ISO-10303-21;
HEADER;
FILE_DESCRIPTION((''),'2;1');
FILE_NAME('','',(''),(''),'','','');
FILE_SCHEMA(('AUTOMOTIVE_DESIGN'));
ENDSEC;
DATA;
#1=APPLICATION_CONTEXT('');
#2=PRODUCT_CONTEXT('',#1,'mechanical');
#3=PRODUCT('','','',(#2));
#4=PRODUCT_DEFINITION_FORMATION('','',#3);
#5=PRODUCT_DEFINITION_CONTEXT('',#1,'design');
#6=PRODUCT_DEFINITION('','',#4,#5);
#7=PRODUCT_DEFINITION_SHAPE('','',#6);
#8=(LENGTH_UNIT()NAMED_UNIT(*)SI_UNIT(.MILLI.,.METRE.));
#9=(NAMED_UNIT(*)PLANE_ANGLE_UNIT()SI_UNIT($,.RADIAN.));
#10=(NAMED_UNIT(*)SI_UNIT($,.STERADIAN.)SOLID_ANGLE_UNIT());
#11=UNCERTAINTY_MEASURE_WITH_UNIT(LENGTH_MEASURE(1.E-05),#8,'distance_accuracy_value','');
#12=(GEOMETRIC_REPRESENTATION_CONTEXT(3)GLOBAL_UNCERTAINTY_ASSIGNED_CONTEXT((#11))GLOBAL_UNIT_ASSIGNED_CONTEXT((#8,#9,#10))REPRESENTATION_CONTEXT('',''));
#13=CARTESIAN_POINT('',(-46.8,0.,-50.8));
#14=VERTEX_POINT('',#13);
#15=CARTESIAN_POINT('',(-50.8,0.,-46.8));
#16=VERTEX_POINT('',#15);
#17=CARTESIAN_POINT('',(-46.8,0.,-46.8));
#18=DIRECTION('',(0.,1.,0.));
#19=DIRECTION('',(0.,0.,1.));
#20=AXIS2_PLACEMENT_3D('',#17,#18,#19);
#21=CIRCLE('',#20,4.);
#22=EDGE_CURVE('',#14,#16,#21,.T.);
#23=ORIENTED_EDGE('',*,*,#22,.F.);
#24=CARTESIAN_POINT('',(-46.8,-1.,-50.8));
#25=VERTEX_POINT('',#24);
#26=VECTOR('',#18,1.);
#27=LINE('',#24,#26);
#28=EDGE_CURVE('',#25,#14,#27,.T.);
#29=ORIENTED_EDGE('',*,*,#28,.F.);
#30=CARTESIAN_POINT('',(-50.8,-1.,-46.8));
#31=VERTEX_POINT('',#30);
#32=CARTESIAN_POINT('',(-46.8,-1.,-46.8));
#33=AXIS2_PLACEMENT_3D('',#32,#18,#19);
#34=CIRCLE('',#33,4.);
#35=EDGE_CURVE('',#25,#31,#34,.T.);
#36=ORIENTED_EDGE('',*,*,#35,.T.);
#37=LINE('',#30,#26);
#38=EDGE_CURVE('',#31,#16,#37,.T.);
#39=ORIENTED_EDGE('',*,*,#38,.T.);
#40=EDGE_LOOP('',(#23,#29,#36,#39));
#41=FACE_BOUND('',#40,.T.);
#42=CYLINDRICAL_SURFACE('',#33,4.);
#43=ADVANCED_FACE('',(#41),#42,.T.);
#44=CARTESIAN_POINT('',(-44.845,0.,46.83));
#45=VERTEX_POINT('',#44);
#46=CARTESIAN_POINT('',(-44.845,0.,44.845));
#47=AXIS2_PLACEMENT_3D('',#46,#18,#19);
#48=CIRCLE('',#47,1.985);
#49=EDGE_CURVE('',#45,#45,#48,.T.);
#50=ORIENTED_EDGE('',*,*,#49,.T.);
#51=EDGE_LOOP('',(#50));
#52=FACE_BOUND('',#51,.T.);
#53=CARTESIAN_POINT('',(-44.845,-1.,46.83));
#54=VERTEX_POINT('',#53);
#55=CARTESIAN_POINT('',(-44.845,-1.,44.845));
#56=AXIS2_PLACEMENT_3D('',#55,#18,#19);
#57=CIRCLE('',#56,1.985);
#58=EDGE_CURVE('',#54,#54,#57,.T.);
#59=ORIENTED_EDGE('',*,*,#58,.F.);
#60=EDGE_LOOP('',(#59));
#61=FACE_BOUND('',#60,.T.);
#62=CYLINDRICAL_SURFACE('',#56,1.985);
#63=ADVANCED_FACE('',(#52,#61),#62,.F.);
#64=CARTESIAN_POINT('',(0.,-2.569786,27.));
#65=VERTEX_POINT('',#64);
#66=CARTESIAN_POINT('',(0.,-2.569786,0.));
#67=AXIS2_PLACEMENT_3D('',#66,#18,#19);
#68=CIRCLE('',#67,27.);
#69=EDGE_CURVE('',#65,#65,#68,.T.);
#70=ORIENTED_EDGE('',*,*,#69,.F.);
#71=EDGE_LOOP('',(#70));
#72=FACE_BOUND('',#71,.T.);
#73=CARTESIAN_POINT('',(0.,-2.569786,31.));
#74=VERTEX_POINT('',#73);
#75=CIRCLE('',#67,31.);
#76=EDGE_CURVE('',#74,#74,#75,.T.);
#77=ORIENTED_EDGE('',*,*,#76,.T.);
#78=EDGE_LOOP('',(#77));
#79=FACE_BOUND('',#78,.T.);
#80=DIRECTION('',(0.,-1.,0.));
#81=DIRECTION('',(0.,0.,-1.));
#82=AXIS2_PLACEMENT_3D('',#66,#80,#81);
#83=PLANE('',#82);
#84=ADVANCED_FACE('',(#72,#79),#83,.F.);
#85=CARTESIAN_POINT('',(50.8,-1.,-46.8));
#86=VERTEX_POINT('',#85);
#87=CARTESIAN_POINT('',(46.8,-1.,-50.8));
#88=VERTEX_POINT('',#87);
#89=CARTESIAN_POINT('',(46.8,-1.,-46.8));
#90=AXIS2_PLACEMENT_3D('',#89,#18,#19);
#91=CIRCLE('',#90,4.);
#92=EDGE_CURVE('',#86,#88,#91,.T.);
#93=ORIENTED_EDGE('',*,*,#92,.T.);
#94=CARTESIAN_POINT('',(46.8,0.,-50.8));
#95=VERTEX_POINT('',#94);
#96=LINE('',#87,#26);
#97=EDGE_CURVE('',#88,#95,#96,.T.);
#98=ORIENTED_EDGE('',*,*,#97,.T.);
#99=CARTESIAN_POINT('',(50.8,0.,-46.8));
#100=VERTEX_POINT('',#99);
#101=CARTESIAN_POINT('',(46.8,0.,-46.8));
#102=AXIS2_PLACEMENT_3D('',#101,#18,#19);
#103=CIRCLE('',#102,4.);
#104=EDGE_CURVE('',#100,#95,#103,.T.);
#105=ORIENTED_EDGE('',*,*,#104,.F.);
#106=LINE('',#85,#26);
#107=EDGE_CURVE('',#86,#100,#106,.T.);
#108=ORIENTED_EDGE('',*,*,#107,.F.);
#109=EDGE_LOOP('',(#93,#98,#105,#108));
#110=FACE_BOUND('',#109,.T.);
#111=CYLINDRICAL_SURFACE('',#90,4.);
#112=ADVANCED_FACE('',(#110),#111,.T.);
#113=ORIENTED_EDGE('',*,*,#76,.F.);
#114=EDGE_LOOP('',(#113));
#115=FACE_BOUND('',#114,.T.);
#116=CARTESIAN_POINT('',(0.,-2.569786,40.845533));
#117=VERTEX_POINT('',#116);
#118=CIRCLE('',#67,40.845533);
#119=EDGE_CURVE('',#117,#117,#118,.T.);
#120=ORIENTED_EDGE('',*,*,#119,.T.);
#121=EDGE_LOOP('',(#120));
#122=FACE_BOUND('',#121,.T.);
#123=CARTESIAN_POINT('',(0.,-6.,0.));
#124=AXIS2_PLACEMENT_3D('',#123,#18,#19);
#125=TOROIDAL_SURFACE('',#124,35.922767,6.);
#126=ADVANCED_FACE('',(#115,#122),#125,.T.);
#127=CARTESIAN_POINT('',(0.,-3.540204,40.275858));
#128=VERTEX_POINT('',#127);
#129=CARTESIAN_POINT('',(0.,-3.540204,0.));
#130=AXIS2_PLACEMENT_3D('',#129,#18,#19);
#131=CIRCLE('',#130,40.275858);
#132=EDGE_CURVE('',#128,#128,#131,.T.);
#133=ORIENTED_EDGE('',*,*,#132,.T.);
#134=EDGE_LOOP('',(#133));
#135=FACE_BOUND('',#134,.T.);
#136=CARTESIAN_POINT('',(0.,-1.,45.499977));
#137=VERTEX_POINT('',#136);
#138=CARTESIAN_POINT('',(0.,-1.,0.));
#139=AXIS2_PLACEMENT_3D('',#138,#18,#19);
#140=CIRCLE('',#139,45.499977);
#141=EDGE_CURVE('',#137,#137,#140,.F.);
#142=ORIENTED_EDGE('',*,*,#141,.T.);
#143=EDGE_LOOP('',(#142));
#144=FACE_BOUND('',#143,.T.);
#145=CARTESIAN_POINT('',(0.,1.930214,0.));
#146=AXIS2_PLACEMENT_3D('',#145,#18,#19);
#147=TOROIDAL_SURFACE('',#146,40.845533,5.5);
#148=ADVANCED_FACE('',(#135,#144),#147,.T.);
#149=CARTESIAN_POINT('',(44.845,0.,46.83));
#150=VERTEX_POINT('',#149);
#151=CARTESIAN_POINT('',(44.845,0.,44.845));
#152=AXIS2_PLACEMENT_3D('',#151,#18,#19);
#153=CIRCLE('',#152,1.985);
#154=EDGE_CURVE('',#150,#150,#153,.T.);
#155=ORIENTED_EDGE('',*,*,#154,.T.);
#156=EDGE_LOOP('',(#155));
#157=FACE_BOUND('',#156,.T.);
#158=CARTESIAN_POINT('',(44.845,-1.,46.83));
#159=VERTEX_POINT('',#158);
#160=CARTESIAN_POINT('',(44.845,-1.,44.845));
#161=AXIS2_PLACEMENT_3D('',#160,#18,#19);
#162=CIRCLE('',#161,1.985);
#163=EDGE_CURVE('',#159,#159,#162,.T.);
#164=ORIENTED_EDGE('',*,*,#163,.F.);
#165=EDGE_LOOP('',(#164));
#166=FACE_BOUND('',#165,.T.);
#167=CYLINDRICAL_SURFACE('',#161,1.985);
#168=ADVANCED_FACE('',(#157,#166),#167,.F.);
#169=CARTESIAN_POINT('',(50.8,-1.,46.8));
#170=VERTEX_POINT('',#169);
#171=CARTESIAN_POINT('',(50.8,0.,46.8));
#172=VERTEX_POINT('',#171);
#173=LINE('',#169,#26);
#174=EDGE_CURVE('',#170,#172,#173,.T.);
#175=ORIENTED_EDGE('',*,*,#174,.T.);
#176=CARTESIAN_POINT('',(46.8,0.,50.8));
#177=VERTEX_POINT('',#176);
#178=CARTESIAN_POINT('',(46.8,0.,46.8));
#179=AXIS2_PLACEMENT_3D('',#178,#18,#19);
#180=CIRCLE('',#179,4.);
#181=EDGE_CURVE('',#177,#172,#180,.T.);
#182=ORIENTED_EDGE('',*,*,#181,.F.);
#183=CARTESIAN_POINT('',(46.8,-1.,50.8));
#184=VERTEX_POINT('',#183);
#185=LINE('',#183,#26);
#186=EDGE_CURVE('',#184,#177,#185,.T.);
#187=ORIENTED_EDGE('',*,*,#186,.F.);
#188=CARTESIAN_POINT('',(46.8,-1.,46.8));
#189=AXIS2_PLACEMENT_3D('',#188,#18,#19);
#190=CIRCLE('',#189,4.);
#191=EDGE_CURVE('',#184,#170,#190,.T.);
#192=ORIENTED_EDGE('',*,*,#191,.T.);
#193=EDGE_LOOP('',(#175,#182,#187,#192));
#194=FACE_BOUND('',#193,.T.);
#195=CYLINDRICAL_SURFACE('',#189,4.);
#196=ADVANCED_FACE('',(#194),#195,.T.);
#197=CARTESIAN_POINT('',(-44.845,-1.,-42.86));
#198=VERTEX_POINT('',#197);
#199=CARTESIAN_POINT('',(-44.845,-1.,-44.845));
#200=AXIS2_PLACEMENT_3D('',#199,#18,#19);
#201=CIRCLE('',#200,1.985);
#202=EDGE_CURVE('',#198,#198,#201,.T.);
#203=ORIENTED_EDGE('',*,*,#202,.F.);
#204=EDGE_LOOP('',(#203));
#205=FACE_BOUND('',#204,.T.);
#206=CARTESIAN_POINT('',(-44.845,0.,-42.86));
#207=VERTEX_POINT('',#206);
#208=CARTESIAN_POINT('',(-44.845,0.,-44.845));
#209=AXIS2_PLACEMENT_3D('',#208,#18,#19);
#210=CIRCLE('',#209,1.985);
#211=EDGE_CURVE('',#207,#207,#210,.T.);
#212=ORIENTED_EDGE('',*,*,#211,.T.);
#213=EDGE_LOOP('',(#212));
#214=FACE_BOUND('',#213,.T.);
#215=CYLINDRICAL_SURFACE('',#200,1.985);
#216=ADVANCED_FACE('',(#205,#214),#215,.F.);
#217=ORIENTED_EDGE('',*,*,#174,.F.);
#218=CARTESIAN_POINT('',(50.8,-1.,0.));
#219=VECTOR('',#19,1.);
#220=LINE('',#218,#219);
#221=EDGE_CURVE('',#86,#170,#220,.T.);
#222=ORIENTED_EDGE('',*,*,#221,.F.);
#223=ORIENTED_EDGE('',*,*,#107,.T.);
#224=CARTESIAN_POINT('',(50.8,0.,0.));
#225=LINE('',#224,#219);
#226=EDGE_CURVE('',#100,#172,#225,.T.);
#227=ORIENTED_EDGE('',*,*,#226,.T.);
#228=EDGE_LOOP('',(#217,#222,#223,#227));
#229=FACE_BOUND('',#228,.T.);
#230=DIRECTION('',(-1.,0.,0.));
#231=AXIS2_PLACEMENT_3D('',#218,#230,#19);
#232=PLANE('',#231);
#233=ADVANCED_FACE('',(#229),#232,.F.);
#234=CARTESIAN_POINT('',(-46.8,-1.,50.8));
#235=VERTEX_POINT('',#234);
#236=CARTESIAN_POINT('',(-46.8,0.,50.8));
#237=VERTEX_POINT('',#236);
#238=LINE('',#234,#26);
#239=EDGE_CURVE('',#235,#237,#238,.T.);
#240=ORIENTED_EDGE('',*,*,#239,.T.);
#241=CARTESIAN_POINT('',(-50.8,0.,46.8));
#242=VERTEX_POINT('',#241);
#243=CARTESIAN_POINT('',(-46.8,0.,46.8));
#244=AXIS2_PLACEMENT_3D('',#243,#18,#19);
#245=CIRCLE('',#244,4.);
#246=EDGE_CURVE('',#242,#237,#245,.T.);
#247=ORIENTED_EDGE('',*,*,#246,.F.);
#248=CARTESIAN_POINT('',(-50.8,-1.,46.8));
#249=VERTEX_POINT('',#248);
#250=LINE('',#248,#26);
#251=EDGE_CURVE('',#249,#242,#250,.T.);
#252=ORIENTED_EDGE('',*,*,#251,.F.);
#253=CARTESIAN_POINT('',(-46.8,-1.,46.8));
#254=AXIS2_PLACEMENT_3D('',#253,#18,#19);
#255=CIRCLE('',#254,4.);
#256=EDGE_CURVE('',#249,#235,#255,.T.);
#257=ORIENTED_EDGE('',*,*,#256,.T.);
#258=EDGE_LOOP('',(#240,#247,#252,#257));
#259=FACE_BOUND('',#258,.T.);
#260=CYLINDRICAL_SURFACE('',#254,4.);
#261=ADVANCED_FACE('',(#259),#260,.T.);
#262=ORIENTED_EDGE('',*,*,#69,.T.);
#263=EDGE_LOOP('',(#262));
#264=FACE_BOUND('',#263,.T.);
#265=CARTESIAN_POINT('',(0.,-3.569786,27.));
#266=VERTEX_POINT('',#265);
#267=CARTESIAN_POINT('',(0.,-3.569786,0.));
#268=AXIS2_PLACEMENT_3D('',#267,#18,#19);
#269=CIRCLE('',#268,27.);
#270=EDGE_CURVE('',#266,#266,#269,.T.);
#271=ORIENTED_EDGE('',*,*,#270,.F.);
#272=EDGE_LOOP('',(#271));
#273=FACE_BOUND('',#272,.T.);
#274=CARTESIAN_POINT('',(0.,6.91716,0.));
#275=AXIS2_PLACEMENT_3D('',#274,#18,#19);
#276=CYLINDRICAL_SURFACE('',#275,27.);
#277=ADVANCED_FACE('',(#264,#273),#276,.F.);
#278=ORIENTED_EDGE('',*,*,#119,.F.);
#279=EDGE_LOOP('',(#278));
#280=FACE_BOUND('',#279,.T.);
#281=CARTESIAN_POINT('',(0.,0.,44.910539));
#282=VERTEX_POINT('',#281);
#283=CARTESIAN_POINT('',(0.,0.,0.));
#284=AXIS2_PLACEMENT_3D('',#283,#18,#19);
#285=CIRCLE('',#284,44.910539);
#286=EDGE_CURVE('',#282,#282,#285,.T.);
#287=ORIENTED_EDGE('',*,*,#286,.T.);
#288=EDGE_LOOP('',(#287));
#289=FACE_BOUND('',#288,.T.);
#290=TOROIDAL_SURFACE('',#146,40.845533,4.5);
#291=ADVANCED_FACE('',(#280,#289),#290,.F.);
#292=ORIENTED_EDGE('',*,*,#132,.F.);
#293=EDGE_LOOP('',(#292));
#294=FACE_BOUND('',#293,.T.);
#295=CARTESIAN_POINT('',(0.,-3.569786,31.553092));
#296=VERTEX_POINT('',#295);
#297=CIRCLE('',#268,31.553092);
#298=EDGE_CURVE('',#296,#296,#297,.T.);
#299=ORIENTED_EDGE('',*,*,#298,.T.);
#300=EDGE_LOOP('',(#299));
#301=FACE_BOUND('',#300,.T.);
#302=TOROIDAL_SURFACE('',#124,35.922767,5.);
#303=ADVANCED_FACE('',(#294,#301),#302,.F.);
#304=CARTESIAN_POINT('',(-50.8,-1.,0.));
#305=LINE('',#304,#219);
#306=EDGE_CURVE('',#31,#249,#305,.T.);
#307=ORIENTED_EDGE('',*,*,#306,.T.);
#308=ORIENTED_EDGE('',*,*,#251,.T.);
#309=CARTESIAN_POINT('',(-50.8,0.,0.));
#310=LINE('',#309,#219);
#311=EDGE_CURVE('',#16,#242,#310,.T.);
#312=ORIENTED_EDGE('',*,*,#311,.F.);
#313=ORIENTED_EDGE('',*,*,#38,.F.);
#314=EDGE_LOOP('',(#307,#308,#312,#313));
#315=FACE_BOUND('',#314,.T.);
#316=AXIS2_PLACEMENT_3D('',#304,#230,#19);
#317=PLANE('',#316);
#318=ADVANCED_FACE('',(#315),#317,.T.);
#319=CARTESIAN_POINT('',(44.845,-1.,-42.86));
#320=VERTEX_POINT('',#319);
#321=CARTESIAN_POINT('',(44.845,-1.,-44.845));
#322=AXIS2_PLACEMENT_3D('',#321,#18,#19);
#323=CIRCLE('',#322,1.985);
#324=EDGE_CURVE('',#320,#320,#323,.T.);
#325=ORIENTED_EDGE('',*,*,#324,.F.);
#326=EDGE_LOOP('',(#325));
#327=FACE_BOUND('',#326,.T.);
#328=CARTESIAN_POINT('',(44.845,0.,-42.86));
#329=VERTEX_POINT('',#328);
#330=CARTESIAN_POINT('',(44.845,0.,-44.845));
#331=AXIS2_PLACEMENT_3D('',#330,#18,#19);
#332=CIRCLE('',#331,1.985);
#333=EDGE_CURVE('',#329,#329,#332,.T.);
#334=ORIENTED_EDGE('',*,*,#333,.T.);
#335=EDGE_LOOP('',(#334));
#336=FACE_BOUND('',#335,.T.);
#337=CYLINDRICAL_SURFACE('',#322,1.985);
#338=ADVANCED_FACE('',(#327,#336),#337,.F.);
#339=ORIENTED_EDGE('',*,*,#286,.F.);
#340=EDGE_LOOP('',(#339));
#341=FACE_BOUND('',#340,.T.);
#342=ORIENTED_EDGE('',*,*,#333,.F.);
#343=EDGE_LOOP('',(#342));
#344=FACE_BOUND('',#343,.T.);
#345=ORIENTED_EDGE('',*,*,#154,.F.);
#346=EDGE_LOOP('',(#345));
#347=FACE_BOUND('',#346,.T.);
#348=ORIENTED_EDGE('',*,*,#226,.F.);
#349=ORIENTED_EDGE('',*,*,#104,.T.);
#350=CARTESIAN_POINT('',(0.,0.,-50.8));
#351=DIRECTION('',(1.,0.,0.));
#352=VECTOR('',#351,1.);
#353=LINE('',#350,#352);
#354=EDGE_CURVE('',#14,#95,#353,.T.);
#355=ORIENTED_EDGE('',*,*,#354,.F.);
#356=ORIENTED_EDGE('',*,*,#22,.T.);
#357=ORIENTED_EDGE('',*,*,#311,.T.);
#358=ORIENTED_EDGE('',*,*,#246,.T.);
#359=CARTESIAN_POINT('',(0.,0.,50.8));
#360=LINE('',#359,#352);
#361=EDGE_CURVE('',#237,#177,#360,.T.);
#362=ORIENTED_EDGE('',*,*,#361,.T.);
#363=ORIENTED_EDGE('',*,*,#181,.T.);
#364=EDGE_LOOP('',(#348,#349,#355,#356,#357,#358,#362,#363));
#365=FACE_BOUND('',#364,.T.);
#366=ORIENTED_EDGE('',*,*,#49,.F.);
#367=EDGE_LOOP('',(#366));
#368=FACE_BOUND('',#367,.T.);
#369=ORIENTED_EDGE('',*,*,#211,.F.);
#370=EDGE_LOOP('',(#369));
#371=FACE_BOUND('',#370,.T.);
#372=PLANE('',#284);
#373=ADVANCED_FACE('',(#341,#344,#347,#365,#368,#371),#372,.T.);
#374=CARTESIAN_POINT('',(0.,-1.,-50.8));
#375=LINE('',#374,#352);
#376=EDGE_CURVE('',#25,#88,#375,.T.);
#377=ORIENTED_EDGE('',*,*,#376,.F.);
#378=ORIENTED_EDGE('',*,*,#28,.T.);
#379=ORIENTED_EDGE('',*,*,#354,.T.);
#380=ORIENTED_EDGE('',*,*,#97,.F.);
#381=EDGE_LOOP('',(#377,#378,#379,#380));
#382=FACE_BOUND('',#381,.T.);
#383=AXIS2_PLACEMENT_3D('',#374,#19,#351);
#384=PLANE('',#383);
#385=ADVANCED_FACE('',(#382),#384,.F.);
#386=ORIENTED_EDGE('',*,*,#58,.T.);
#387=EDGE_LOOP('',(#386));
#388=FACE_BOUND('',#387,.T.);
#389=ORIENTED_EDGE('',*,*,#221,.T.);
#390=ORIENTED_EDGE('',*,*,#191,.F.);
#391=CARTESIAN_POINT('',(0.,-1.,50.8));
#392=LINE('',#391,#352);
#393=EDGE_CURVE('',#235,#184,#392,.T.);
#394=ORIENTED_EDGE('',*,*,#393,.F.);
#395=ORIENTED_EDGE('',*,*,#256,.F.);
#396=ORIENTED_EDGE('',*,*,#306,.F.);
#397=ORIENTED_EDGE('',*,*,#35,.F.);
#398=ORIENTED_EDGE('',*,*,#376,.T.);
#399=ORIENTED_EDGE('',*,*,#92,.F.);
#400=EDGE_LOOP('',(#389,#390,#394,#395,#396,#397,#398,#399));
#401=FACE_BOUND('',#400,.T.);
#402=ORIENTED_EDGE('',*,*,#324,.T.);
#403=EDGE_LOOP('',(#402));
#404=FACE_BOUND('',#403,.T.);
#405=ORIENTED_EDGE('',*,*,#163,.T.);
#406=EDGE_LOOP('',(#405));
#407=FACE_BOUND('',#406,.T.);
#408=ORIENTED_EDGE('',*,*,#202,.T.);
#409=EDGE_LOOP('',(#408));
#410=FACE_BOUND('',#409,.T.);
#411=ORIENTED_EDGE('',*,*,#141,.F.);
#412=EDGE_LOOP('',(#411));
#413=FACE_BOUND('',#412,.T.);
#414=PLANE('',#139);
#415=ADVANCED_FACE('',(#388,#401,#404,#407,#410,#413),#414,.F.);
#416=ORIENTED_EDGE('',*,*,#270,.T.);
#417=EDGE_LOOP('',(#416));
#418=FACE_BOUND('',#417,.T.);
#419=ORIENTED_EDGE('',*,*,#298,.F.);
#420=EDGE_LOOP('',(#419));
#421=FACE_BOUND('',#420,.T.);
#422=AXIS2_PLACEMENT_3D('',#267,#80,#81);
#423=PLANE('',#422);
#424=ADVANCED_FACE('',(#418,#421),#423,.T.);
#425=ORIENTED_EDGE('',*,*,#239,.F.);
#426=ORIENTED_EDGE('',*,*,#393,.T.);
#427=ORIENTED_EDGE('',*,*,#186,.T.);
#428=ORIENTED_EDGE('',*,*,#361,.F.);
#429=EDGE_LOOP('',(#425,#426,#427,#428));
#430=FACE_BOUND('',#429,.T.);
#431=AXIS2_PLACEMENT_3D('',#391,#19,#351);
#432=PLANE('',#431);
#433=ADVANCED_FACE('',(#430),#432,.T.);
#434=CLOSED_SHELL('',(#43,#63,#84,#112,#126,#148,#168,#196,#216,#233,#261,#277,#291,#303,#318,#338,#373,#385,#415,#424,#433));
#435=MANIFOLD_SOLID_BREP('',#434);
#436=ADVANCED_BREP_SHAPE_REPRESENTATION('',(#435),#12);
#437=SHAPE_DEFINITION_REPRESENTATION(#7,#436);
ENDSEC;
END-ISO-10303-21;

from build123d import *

# Parameters (mm, degrees)
SKETCH_2_R      = 1.985
SKETCH_2_R_2    = 44.910539349
EXTRUDE_1_DEPTH = 1


with BuildPart() as part:
    # 草图1 → 旋转1 (revolve)
    with BuildSketch(Plane.XY, mode=Mode.PRIVATE) as revolve_1_sk:
        with BuildLine():
            ThreePointArc((-45.813874016, -0.428936451), (-43.539426354, -2.86488143), (-40.275857757, -3.540203663))
            ThreePointArc((-40.275857757, -3.540203663), (-35.905809817, -1.000028754), (-31.553091654, -3.569785971))
            Line((-31.553091654, -3.569785971), (-27, -3.569785971))
            Line((-27, -3.569785971), (-27, -2.569785971))
            Line((-27, -2.569785971), (-31, -2.569785971))
            ThreePointArc((-31, -2.569785971), (-35.922766673, 0), (-40.845533346, -2.569785971))
            ThreePointArc((-40.845533346, -2.569785971), (-43.250116145, -1.873465974), (-44.910539349, 0))
            Line((-44.910539349, 0), (-45.813874016, -0.428936451))
        make_face()
    revolve(revolve_1_sk.sketch.rotate(Axis((0, 6.917160425, 0), (0, -1, 0)), 270), axis=Axis((0, 6.917160425, 0), (0, -1, 0)))

    # 草图2 → 凸台-拉伸1 (add)
    with BuildSketch(Plane(origin=(0, 0, 0), x_dir=(1, 0, 0), z_dir=(0, 1, 0))):
        with BuildLine():
            Line((46.8, 50.8), (-46.8, 50.8))
            ThreePointArc((-46.8, 50.8), (-49.628427125, 49.628427125), (-50.8, 46.8))
            Line((-50.8, 46.8), (-50.8, -46.8))
            ThreePointArc((-50.8, -46.8), (-49.628427125, -49.628427125), (-46.8, -50.8))
            Line((-46.8, -50.8), (46.8, -50.8))
            ThreePointArc((46.8, -50.8), (49.628427125, -49.628427125), (50.8, -46.8))
            Line((50.8, -46.8), (50.8, 46.8))
            ThreePointArc((50.8, 46.8), (49.628427125, 49.628427125), (46.8, 50.8))
        make_face()
        with Locations(Location((-44.845, -44.845, 0), (0, 0, 270))):
            Circle(SKETCH_2_R, mode=Mode.SUBTRACT)
        with Locations(Location((44.845, -44.845, 0), (0, 0, 270))):
            Circle(SKETCH_2_R, mode=Mode.SUBTRACT)
        Circle(SKETCH_2_R_2, mode=Mode.SUBTRACT)
        with Locations(Location((-44.845, 44.845, 0), (0, 0, 270))):
            Circle(SKETCH_2_R, mode=Mode.SUBTRACT)
        with Locations(Location((44.845, 44.845, 0), (0, 0, 270))):
            Circle(SKETCH_2_R, mode=Mode.SUBTRACT)
    extrude(amount=-EXTRUDE_1_DEPTH)


solid = part.part
